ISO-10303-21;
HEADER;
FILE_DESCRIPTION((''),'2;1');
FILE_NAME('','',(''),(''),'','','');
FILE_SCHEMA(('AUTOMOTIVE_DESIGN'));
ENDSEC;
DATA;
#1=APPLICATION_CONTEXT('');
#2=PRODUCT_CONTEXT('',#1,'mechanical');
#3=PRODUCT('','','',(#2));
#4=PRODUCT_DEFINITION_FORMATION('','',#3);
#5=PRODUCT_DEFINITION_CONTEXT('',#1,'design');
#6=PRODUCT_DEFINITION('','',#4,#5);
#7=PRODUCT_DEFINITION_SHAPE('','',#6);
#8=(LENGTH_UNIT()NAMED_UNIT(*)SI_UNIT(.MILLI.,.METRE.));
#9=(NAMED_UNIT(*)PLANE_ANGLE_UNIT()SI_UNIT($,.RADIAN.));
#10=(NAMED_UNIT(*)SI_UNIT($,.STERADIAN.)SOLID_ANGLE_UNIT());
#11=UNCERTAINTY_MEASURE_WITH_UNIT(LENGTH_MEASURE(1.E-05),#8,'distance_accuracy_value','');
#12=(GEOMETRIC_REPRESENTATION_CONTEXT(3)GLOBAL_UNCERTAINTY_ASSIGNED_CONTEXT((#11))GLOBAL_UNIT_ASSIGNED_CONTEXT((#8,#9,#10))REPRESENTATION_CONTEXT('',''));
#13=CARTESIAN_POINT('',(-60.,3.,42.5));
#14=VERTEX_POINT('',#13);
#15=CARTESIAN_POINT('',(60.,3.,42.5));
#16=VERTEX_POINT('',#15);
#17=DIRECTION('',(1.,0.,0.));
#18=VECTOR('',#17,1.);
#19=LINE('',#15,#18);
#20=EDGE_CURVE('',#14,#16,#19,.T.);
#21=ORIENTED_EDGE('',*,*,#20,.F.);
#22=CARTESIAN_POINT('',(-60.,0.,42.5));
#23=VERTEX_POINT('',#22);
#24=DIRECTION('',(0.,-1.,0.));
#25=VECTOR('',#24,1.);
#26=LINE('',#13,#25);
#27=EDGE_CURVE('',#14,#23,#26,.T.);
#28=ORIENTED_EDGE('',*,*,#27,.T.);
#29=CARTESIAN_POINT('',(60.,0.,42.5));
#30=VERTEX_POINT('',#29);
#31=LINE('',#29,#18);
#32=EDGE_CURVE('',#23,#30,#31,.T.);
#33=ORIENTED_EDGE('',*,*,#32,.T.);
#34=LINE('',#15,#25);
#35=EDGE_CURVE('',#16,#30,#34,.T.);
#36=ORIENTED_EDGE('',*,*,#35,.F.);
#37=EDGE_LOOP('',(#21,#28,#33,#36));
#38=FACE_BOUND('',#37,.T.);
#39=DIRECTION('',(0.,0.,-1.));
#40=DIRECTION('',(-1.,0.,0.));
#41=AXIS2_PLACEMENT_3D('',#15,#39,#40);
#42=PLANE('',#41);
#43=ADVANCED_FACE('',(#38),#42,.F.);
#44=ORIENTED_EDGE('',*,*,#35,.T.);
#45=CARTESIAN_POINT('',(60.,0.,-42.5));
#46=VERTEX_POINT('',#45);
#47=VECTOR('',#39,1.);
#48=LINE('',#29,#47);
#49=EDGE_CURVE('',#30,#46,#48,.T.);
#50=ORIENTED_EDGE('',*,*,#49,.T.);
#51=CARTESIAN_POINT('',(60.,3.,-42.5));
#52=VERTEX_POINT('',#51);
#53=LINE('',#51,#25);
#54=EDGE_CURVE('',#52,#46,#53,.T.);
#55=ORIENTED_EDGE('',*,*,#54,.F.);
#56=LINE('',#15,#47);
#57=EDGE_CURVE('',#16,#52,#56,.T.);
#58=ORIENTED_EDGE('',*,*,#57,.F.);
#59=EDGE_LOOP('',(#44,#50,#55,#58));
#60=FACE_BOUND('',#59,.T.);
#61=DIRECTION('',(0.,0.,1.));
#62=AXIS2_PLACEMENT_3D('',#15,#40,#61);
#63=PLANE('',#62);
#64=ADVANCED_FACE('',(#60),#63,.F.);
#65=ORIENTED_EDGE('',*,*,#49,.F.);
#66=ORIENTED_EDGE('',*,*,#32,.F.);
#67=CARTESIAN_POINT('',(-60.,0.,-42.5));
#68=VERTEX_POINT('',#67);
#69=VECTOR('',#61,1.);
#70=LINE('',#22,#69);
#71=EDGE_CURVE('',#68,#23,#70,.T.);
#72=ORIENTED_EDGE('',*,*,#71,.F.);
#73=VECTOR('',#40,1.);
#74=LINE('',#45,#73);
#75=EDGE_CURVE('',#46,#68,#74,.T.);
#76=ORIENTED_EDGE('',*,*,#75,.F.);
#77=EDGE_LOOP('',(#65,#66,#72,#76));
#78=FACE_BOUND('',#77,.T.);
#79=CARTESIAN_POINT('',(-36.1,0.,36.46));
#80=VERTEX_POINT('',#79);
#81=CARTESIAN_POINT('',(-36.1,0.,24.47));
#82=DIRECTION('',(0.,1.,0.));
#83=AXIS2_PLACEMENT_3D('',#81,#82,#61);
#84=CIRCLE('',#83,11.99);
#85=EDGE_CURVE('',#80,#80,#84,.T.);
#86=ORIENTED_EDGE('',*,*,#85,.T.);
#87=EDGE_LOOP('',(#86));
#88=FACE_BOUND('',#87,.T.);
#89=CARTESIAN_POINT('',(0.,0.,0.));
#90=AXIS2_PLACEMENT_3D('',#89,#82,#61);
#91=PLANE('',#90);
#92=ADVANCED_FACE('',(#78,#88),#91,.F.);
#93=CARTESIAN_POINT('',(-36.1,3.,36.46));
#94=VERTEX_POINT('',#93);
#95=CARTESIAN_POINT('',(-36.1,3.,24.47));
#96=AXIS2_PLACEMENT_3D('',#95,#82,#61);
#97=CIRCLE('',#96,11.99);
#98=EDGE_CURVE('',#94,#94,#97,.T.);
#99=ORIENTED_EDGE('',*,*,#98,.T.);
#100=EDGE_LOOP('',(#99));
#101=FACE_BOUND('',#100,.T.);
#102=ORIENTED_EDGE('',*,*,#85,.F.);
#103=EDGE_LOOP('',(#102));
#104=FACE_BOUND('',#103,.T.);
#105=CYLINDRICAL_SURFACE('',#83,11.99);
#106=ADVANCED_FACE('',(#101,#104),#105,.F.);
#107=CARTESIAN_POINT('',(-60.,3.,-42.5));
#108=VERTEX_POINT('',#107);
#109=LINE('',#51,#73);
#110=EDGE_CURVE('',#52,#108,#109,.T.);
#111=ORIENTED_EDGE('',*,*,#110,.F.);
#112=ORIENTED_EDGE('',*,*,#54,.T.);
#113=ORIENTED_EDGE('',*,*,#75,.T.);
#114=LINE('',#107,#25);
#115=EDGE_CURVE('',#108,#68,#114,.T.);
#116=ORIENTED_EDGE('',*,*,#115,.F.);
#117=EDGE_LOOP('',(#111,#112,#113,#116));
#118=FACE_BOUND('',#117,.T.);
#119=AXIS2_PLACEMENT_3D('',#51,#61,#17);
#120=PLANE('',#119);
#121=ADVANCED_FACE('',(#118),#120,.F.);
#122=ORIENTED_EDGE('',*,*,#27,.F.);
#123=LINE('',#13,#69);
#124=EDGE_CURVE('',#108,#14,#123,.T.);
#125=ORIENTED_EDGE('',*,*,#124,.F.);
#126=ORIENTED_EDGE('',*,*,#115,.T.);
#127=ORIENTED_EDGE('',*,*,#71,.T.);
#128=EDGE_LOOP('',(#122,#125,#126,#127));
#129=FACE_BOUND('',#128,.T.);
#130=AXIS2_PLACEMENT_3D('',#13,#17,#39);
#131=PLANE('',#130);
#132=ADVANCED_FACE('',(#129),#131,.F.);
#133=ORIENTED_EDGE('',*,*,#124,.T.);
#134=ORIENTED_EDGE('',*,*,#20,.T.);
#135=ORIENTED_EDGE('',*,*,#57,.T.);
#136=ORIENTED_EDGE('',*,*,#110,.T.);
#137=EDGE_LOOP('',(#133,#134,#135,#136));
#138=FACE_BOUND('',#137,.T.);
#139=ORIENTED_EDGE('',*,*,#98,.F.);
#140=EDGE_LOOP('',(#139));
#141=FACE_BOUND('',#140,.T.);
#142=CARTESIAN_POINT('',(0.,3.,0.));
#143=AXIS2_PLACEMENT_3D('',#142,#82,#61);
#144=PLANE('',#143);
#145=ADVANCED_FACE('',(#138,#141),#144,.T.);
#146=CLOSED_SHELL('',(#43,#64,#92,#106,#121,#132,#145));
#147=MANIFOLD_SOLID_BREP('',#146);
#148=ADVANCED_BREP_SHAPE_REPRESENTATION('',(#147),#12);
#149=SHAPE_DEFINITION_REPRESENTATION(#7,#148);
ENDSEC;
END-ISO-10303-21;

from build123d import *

# Parameters (mm, degrees)
SKETCH1_W           = 120
SKETCH1_H           = 85
BOSS_EXTRUDE1_DEPTH = 3
SKETCH2_R           = 11.99
CUT_EXTRUDE1_DEPTH  = 3


with BuildPart() as part:
    # Sketch1 → Boss-Extrude1 (new body)
    with BuildSketch(Plane(origin=(0, 0, 0), x_dir=(1, 0, 0), z_dir=(0, 1, 0))):
        Rectangle(SKETCH1_W, SKETCH1_H)
    extrude(amount=BOSS_EXTRUDE1_DEPTH)

    # Sketch2 → Cut-Extrude1 (cut)
    with BuildSketch(Plane(origin=(0, 3, 0), x_dir=(1, 0, 0), z_dir=(0, 1, 0))):
        with Locations((-36.1, -24.47)):
            Circle(SKETCH2_R)
    extrude(amount=-CUT_EXTRUDE1_DEPTH, mode=Mode.SUBTRACT)


solid = part.part
